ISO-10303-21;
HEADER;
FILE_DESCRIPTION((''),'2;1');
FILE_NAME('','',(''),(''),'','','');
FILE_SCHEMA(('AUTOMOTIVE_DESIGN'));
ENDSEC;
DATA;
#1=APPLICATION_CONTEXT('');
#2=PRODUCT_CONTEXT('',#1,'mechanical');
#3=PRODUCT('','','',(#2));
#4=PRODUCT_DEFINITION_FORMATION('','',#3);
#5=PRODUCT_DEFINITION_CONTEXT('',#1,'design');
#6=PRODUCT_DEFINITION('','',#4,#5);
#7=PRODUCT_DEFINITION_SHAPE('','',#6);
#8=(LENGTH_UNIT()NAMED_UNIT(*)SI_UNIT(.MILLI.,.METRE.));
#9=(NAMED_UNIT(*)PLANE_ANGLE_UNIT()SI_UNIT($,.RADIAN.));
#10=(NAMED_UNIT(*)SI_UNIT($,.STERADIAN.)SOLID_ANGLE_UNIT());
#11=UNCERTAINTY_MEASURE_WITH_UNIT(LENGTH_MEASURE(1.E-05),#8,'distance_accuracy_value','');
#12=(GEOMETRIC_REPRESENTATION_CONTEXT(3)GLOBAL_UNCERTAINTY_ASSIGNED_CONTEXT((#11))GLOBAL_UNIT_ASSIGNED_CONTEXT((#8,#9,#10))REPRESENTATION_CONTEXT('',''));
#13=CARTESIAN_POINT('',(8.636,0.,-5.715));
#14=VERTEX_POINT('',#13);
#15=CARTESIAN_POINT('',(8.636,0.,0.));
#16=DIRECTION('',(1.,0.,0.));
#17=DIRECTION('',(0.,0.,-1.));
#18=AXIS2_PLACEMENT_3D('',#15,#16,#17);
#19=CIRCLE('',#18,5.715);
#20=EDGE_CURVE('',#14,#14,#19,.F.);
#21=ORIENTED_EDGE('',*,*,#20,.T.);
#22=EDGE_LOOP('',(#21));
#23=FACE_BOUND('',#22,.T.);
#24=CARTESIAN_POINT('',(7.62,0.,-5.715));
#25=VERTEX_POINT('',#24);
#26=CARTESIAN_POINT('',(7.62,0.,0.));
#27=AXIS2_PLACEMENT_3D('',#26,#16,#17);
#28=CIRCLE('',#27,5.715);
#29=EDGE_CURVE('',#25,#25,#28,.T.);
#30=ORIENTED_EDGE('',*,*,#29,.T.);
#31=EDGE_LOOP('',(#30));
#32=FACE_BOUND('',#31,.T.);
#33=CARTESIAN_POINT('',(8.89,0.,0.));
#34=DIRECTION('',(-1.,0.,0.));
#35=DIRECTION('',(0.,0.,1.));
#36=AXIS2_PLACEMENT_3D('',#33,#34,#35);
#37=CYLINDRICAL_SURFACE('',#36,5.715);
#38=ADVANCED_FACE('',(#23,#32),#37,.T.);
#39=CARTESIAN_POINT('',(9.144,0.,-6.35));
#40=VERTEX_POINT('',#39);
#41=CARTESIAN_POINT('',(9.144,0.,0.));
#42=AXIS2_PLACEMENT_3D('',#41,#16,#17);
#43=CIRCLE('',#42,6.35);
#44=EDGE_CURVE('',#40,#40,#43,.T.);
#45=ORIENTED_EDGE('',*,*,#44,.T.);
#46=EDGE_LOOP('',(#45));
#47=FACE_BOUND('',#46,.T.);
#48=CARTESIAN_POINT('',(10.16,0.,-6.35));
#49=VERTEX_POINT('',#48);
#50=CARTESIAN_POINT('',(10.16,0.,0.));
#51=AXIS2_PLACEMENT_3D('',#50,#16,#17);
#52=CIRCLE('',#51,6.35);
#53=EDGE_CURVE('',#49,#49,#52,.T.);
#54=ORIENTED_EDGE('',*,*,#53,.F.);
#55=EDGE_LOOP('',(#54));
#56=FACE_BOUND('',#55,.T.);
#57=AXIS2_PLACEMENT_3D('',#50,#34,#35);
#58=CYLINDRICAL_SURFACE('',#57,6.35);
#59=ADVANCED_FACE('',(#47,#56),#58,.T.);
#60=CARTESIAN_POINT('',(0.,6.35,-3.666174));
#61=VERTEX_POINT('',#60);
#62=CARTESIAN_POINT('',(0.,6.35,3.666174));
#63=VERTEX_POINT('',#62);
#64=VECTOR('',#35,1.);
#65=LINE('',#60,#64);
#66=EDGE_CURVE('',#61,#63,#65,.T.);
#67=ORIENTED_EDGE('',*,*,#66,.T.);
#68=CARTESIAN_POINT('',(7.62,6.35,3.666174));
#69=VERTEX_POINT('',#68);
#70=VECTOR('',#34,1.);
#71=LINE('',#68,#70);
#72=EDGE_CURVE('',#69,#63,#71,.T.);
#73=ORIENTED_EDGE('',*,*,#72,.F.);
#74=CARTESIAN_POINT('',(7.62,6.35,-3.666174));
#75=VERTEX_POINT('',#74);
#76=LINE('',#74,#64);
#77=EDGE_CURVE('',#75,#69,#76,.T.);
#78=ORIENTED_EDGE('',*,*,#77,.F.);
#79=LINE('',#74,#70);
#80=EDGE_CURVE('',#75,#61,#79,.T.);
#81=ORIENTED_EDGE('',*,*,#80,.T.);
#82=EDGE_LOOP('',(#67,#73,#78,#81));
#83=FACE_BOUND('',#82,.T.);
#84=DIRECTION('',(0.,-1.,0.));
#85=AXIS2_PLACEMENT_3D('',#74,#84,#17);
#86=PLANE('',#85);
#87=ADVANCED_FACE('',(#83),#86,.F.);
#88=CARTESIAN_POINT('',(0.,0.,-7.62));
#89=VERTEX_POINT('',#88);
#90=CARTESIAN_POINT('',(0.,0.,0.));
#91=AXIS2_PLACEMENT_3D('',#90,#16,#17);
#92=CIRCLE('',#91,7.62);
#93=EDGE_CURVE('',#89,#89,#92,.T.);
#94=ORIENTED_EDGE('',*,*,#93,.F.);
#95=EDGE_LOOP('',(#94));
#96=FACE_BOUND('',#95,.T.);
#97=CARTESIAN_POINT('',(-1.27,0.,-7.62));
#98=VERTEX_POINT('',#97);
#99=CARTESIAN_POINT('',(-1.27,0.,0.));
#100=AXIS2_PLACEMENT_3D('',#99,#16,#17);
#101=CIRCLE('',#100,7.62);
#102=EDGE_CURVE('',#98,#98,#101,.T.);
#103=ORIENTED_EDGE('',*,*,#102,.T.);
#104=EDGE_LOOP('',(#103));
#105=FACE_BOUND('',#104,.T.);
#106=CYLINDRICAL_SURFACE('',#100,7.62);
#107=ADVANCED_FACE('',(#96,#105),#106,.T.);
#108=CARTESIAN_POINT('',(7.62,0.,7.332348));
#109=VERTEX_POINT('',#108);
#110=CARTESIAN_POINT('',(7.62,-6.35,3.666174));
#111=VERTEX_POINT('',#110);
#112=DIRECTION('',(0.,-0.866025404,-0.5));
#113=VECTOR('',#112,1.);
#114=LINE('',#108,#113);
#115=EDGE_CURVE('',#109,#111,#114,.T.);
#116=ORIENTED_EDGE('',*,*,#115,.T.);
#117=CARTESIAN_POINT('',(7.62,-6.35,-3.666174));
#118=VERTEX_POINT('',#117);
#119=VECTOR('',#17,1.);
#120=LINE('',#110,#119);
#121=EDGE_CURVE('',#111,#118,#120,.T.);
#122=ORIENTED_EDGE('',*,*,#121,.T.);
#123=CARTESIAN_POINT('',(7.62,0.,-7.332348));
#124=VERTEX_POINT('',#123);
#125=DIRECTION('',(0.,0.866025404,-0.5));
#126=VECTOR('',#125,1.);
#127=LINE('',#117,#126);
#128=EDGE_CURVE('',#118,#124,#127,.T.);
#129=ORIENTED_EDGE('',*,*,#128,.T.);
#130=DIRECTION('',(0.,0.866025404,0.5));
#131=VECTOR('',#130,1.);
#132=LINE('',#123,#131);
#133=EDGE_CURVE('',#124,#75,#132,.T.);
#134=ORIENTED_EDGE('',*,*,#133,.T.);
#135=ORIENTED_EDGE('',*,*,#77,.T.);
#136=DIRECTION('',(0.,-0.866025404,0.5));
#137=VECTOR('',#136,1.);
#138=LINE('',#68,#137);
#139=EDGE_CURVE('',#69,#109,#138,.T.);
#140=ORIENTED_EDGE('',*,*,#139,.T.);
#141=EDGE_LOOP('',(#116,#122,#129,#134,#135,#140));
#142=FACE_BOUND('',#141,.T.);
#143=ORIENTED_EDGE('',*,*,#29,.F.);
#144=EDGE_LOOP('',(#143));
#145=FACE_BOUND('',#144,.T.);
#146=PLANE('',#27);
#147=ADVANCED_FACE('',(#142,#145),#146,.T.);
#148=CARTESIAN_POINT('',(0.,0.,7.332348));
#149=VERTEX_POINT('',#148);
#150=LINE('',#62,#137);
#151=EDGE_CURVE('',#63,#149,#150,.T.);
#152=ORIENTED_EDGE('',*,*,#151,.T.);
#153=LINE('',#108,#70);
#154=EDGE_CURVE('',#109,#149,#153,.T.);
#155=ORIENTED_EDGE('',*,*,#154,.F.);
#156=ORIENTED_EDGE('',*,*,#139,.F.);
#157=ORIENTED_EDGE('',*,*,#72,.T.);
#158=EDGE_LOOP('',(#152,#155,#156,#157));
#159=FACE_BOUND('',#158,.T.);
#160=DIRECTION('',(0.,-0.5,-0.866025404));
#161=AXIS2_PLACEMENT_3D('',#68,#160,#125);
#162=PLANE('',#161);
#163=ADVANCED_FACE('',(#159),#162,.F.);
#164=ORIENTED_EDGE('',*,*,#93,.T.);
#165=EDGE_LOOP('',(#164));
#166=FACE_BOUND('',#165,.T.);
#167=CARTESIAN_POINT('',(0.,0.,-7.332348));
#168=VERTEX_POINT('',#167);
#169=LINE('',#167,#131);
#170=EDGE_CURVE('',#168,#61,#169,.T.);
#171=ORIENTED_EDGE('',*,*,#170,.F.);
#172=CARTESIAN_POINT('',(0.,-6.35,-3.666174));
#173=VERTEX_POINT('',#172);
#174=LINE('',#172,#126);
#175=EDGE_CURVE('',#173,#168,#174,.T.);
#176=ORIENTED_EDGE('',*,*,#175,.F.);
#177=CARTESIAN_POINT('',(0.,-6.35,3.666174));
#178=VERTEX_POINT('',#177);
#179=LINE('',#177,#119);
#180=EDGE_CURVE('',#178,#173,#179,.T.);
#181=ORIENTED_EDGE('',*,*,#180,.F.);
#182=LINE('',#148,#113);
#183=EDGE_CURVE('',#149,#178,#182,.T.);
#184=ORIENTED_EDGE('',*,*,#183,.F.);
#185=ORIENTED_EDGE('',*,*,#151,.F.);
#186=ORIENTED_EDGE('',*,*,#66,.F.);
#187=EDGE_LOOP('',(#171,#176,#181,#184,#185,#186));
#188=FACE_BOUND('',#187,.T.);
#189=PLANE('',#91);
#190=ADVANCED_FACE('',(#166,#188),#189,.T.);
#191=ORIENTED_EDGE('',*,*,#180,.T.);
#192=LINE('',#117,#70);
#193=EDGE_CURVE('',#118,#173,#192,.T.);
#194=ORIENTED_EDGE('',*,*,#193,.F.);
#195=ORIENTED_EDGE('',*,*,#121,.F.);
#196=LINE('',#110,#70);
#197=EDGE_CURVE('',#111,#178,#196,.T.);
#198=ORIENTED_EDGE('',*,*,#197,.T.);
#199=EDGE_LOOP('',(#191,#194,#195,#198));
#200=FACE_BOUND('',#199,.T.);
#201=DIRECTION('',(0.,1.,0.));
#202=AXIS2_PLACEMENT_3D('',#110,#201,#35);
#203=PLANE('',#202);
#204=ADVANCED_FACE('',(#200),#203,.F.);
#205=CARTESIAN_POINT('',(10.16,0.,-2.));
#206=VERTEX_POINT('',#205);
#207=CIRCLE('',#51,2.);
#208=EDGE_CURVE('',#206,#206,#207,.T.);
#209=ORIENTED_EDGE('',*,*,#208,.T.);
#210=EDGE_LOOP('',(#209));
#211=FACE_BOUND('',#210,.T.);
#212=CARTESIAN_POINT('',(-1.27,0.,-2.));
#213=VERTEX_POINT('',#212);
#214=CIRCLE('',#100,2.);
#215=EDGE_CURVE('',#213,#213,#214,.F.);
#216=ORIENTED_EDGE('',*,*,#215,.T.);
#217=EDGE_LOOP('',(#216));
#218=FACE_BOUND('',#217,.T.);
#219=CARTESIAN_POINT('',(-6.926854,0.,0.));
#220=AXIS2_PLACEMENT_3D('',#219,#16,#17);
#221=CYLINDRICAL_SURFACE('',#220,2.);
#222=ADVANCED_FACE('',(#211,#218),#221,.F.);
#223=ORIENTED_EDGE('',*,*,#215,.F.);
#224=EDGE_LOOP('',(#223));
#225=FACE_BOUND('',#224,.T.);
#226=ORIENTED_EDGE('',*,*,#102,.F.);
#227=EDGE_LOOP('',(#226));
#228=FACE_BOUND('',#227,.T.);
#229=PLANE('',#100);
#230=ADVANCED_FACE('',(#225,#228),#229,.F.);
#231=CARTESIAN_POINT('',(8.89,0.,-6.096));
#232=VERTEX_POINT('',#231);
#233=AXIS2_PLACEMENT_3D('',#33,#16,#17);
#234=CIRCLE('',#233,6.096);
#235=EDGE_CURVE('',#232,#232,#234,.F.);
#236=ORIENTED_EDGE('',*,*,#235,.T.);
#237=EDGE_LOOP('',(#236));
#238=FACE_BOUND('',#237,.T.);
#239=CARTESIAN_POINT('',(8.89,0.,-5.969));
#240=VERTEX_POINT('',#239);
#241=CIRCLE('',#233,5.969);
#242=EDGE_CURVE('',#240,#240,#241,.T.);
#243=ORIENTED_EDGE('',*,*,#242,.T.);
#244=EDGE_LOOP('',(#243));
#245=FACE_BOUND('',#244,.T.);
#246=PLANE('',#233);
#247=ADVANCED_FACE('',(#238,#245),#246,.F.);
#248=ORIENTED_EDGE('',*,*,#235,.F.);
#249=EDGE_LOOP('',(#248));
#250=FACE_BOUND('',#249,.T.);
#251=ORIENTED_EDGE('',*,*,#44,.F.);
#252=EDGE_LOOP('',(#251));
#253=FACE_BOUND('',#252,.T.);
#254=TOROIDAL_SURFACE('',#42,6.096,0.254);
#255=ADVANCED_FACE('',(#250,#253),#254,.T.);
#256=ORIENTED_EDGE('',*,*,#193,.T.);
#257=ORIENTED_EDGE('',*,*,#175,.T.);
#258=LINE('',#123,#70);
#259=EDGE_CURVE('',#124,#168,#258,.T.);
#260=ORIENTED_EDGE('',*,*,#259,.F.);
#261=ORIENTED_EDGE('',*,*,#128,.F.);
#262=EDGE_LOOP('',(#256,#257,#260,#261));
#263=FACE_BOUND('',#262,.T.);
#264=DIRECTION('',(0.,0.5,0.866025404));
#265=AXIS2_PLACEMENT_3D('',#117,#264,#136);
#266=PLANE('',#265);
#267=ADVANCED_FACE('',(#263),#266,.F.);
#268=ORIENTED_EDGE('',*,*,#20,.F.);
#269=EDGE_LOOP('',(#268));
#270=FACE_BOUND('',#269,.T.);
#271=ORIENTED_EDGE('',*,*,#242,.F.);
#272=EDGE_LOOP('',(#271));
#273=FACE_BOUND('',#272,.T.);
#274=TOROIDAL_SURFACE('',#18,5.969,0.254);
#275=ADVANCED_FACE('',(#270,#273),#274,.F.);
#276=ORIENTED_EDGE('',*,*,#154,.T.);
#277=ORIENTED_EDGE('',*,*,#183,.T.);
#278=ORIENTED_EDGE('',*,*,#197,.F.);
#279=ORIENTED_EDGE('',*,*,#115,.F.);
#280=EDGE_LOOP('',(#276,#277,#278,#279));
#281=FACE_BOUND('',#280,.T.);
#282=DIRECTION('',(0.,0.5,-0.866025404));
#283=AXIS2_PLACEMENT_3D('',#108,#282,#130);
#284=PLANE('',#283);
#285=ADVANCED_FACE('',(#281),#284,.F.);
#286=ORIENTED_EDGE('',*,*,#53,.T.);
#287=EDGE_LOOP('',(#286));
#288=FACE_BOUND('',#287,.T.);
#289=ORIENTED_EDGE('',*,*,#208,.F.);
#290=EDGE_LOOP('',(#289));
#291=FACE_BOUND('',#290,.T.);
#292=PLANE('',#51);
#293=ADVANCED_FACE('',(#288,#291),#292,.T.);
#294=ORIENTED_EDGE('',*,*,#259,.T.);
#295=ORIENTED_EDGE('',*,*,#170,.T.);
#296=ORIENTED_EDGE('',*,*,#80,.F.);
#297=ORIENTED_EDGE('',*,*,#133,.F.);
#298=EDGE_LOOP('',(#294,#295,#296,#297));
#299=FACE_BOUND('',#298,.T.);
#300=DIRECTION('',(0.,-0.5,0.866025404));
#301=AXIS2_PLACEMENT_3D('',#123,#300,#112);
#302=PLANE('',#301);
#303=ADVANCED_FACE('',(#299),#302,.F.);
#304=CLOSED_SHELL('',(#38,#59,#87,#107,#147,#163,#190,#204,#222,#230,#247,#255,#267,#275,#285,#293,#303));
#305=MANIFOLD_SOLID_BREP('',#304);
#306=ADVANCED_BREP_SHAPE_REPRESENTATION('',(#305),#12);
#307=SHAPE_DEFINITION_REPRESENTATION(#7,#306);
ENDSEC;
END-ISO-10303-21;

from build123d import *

# Parameters (mm, degrees)
SKETCH2_R           = 7.62
BOSS_EXTRUDE1_DEPTH = 1.27
BOSS_EXTRUDE2_DEPTH = 7.62
SKETCH4_R           = 5.715
BOSS_EXTRUDE3_DEPTH = 1.27
SKETCH5_R           = 6.35
BOSS_EXTRUDE4_DEPTH = 1.27
FILLET1_R           = 0.254
SKETCH6_R           = 2
CUT_EXTRUDE1_DEPTH  = 11.43


with BuildPart() as part:
    # Sketch2 → Boss-Extrude1 (new body)
    with BuildSketch(Plane(origin=(0, 0, 0), x_dir=(0, 0, -1), z_dir=(1, 0, 0))):
        Circle(SKETCH2_R)
    extrude(amount=-BOSS_EXTRUDE1_DEPTH)

    # Sketch3 → Boss-Extrude2 (add)
    with BuildSketch(Plane(origin=(0, 0, 0), x_dir=(0, 0, -1), z_dir=(1, 0, 0))):
        Polygon((-3.666174209, 6.35), (-7.332348419, 0), (-3.666174209, -6.35), (3.666174209, -6.35), (7.332348419, 0), (3.666174209, 6.35), align=None)
    extrude(amount=BOSS_EXTRUDE2_DEPTH)

    # Sketch4 → Boss-Extrude3 (add)
    with BuildSketch(Plane(origin=(7.62, 0, 0), x_dir=(0, 0, -1), z_dir=(1, 0, 0))):
        Circle(SKETCH4_R)
    extrude(amount=BOSS_EXTRUDE3_DEPTH)

    # Sketch5 → Boss-Extrude4 (add)
    with BuildSketch(Plane(origin=(8.89, 0, 0), x_dir=(0, 0, -1), z_dir=(1, 0, 0))):
        Circle(SKETCH5_R)
    extrude(amount=BOSS_EXTRUDE4_DEPTH)

    # Fillet1
    fillet1_edges = [part.edges().sort_by_distance(p)[0] for p in [
        (8.89, 0, 5.715),
        (8.89, 0, 6.35),
    ]]
    fillet(fillet1_edges, radius=FILLET1_R)

    # Sketch6 → Cut-Extrude1 (cut)
    with BuildSketch(Plane(origin=(10.16, 0, 0), x_dir=(0, 0, -1), z_dir=(1, 0, 0))):
        Circle(SKETCH6_R)
    extrude(amount=-CUT_EXTRUDE1_DEPTH, mode=Mode.SUBTRACT)


solid = part.part
